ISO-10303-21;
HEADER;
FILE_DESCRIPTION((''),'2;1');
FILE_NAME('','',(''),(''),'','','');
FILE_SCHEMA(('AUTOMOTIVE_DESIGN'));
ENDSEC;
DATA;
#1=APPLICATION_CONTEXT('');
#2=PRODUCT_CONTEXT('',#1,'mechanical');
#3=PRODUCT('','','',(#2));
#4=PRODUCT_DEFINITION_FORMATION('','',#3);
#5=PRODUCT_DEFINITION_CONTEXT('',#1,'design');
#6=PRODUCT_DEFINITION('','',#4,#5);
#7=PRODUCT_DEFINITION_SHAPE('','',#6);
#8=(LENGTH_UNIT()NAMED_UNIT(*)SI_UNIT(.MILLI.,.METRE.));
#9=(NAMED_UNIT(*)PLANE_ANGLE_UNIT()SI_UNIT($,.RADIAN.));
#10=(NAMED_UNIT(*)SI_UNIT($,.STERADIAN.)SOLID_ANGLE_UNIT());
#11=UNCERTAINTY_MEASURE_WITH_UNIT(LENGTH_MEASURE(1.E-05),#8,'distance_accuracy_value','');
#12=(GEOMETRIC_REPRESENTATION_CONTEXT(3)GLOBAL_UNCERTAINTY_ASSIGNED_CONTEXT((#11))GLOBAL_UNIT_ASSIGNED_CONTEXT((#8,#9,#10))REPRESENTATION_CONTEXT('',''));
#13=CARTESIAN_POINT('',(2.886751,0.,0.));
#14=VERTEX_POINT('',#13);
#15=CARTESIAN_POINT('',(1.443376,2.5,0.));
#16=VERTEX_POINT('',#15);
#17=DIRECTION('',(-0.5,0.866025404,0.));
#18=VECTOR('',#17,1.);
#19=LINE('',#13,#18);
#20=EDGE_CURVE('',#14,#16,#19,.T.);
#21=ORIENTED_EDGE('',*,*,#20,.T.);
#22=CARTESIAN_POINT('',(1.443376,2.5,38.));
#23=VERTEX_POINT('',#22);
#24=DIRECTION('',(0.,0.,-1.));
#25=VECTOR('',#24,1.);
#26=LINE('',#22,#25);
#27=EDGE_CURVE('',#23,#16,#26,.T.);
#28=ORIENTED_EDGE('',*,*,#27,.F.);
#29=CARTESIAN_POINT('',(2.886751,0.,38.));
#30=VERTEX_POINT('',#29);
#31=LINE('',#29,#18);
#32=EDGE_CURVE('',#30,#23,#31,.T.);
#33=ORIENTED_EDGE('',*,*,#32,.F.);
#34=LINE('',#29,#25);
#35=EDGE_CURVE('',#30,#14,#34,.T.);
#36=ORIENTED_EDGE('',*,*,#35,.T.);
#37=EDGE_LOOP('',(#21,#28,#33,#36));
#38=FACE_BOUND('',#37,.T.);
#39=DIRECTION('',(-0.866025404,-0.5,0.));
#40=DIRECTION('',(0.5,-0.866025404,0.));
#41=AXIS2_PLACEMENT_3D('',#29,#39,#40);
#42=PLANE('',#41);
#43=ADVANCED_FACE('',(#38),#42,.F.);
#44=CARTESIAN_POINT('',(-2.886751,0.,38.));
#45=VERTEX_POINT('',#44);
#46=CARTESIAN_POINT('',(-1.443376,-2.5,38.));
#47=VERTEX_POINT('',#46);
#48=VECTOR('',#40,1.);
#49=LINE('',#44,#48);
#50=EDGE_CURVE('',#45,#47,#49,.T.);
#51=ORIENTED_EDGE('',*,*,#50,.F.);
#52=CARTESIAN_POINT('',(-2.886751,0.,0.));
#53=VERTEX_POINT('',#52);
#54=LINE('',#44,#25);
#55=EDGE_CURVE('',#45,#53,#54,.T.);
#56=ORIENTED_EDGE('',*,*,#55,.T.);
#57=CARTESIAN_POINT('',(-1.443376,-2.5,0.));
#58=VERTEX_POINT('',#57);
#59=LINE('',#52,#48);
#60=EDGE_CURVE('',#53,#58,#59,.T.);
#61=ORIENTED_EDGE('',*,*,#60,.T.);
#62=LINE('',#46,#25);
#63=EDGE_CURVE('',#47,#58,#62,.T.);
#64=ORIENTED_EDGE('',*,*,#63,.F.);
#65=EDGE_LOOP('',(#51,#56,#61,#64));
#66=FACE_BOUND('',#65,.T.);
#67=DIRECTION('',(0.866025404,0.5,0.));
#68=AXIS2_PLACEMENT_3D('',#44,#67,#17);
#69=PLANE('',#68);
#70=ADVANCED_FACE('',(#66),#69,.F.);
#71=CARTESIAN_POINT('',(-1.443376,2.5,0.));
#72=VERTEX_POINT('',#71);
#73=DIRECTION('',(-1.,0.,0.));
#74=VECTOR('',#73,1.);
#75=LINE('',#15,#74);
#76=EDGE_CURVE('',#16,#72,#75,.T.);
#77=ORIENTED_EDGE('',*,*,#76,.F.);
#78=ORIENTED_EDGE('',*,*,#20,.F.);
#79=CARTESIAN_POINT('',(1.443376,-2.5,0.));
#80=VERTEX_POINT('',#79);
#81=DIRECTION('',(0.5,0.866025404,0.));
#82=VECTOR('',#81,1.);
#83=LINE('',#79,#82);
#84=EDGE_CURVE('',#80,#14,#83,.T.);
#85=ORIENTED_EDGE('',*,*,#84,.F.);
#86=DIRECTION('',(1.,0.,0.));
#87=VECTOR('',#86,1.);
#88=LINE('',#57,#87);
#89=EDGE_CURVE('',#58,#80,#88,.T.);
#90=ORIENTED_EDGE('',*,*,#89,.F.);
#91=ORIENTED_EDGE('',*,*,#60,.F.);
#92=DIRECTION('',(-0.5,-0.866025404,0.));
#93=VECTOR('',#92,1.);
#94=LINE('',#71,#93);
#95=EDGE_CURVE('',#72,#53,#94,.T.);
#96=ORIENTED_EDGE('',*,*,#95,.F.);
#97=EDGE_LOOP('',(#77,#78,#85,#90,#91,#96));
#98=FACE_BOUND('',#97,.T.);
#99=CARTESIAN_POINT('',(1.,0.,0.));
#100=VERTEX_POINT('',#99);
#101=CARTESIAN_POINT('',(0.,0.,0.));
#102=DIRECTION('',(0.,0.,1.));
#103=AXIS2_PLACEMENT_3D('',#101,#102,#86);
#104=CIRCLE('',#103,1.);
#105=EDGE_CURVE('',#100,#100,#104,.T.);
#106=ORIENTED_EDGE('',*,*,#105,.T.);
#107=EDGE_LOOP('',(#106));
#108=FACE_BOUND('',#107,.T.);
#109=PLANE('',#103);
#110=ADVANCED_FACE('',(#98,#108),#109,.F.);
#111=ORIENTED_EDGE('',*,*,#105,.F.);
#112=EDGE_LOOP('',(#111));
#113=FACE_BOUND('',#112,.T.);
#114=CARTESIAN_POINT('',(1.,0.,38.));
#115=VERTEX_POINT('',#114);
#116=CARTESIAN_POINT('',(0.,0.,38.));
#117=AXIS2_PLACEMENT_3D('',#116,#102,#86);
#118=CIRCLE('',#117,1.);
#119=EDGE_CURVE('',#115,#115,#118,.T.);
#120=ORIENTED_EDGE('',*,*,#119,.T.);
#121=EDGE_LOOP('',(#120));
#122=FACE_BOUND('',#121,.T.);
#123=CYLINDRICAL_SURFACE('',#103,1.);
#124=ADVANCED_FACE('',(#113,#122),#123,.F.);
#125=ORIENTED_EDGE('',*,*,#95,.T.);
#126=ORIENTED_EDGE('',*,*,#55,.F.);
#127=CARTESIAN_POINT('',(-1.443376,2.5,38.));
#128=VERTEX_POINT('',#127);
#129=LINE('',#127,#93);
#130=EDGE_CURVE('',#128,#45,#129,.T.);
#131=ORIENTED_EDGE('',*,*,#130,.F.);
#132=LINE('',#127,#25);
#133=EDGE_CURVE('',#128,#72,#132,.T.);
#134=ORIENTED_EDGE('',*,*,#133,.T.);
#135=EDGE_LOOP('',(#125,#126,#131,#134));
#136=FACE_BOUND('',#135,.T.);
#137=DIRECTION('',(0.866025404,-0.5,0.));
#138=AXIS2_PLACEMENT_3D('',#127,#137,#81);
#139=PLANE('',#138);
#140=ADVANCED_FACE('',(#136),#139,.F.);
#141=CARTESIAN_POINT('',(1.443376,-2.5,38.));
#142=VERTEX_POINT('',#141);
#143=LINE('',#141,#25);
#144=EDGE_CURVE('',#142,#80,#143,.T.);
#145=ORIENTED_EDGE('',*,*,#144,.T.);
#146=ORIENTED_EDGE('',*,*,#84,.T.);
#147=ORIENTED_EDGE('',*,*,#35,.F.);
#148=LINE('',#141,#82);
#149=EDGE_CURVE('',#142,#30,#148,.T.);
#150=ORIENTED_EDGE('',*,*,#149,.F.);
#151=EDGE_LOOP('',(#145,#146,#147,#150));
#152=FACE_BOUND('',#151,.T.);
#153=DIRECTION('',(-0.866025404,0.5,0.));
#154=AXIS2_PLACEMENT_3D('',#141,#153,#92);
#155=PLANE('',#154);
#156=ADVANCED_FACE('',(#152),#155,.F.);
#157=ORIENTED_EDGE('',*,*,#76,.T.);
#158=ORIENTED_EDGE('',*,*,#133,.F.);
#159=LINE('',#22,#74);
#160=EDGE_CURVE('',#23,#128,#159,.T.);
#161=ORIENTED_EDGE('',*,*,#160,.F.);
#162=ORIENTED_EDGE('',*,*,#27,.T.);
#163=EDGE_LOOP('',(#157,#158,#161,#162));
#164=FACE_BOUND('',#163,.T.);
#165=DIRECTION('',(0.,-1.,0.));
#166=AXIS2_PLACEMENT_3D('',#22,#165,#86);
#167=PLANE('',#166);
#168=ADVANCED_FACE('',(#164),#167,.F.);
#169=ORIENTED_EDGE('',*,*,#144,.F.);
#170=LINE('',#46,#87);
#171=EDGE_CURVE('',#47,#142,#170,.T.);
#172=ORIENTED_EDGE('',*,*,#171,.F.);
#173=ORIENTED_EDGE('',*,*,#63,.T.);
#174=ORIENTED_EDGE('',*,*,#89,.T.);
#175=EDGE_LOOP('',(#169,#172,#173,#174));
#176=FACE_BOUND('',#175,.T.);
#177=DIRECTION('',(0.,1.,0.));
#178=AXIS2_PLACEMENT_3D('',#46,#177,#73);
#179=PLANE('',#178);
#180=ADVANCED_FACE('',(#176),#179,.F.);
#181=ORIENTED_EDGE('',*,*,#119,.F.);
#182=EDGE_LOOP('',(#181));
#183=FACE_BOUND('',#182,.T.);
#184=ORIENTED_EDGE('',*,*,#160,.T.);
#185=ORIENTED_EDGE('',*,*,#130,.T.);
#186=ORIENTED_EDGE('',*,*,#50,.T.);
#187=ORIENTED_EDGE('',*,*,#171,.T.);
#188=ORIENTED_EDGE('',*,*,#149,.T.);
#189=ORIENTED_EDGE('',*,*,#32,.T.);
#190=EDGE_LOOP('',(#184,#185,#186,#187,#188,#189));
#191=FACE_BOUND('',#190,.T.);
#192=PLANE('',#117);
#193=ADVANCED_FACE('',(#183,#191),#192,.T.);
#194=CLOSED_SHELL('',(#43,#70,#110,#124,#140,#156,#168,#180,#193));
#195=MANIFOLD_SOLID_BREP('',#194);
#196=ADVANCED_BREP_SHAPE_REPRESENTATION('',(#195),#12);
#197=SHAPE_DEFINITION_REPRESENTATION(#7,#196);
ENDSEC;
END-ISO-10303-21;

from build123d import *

# Parameters (mm, degrees)
BOSS_EXTRUDE1_DEPTH = 38
SKETCH2_R           = 1
CUT_EXTRUDE1_DEPTH  = 39.191403919


with BuildPart() as part:
    # Sketch1 → Boss-Extrude1 (new body)
    with BuildSketch(Plane.XY):
        Polygon((2.886751346, 0), (1.443375673, 2.5), (-1.443375673, 2.5), (-2.886751346, 0), (-1.443375673, -2.5), (1.443375673, -2.5), align=None)
    extrude(amount=BOSS_EXTRUDE1_DEPTH)

    # Sketch2 → Cut-Extrude1 (cut, through all)
    with BuildSketch(Plane.XY.offset(38)):
        Circle(SKETCH2_R)
    extrude(amount=-CUT_EXTRUDE1_DEPTH, mode=Mode.SUBTRACT)


solid = part.part
